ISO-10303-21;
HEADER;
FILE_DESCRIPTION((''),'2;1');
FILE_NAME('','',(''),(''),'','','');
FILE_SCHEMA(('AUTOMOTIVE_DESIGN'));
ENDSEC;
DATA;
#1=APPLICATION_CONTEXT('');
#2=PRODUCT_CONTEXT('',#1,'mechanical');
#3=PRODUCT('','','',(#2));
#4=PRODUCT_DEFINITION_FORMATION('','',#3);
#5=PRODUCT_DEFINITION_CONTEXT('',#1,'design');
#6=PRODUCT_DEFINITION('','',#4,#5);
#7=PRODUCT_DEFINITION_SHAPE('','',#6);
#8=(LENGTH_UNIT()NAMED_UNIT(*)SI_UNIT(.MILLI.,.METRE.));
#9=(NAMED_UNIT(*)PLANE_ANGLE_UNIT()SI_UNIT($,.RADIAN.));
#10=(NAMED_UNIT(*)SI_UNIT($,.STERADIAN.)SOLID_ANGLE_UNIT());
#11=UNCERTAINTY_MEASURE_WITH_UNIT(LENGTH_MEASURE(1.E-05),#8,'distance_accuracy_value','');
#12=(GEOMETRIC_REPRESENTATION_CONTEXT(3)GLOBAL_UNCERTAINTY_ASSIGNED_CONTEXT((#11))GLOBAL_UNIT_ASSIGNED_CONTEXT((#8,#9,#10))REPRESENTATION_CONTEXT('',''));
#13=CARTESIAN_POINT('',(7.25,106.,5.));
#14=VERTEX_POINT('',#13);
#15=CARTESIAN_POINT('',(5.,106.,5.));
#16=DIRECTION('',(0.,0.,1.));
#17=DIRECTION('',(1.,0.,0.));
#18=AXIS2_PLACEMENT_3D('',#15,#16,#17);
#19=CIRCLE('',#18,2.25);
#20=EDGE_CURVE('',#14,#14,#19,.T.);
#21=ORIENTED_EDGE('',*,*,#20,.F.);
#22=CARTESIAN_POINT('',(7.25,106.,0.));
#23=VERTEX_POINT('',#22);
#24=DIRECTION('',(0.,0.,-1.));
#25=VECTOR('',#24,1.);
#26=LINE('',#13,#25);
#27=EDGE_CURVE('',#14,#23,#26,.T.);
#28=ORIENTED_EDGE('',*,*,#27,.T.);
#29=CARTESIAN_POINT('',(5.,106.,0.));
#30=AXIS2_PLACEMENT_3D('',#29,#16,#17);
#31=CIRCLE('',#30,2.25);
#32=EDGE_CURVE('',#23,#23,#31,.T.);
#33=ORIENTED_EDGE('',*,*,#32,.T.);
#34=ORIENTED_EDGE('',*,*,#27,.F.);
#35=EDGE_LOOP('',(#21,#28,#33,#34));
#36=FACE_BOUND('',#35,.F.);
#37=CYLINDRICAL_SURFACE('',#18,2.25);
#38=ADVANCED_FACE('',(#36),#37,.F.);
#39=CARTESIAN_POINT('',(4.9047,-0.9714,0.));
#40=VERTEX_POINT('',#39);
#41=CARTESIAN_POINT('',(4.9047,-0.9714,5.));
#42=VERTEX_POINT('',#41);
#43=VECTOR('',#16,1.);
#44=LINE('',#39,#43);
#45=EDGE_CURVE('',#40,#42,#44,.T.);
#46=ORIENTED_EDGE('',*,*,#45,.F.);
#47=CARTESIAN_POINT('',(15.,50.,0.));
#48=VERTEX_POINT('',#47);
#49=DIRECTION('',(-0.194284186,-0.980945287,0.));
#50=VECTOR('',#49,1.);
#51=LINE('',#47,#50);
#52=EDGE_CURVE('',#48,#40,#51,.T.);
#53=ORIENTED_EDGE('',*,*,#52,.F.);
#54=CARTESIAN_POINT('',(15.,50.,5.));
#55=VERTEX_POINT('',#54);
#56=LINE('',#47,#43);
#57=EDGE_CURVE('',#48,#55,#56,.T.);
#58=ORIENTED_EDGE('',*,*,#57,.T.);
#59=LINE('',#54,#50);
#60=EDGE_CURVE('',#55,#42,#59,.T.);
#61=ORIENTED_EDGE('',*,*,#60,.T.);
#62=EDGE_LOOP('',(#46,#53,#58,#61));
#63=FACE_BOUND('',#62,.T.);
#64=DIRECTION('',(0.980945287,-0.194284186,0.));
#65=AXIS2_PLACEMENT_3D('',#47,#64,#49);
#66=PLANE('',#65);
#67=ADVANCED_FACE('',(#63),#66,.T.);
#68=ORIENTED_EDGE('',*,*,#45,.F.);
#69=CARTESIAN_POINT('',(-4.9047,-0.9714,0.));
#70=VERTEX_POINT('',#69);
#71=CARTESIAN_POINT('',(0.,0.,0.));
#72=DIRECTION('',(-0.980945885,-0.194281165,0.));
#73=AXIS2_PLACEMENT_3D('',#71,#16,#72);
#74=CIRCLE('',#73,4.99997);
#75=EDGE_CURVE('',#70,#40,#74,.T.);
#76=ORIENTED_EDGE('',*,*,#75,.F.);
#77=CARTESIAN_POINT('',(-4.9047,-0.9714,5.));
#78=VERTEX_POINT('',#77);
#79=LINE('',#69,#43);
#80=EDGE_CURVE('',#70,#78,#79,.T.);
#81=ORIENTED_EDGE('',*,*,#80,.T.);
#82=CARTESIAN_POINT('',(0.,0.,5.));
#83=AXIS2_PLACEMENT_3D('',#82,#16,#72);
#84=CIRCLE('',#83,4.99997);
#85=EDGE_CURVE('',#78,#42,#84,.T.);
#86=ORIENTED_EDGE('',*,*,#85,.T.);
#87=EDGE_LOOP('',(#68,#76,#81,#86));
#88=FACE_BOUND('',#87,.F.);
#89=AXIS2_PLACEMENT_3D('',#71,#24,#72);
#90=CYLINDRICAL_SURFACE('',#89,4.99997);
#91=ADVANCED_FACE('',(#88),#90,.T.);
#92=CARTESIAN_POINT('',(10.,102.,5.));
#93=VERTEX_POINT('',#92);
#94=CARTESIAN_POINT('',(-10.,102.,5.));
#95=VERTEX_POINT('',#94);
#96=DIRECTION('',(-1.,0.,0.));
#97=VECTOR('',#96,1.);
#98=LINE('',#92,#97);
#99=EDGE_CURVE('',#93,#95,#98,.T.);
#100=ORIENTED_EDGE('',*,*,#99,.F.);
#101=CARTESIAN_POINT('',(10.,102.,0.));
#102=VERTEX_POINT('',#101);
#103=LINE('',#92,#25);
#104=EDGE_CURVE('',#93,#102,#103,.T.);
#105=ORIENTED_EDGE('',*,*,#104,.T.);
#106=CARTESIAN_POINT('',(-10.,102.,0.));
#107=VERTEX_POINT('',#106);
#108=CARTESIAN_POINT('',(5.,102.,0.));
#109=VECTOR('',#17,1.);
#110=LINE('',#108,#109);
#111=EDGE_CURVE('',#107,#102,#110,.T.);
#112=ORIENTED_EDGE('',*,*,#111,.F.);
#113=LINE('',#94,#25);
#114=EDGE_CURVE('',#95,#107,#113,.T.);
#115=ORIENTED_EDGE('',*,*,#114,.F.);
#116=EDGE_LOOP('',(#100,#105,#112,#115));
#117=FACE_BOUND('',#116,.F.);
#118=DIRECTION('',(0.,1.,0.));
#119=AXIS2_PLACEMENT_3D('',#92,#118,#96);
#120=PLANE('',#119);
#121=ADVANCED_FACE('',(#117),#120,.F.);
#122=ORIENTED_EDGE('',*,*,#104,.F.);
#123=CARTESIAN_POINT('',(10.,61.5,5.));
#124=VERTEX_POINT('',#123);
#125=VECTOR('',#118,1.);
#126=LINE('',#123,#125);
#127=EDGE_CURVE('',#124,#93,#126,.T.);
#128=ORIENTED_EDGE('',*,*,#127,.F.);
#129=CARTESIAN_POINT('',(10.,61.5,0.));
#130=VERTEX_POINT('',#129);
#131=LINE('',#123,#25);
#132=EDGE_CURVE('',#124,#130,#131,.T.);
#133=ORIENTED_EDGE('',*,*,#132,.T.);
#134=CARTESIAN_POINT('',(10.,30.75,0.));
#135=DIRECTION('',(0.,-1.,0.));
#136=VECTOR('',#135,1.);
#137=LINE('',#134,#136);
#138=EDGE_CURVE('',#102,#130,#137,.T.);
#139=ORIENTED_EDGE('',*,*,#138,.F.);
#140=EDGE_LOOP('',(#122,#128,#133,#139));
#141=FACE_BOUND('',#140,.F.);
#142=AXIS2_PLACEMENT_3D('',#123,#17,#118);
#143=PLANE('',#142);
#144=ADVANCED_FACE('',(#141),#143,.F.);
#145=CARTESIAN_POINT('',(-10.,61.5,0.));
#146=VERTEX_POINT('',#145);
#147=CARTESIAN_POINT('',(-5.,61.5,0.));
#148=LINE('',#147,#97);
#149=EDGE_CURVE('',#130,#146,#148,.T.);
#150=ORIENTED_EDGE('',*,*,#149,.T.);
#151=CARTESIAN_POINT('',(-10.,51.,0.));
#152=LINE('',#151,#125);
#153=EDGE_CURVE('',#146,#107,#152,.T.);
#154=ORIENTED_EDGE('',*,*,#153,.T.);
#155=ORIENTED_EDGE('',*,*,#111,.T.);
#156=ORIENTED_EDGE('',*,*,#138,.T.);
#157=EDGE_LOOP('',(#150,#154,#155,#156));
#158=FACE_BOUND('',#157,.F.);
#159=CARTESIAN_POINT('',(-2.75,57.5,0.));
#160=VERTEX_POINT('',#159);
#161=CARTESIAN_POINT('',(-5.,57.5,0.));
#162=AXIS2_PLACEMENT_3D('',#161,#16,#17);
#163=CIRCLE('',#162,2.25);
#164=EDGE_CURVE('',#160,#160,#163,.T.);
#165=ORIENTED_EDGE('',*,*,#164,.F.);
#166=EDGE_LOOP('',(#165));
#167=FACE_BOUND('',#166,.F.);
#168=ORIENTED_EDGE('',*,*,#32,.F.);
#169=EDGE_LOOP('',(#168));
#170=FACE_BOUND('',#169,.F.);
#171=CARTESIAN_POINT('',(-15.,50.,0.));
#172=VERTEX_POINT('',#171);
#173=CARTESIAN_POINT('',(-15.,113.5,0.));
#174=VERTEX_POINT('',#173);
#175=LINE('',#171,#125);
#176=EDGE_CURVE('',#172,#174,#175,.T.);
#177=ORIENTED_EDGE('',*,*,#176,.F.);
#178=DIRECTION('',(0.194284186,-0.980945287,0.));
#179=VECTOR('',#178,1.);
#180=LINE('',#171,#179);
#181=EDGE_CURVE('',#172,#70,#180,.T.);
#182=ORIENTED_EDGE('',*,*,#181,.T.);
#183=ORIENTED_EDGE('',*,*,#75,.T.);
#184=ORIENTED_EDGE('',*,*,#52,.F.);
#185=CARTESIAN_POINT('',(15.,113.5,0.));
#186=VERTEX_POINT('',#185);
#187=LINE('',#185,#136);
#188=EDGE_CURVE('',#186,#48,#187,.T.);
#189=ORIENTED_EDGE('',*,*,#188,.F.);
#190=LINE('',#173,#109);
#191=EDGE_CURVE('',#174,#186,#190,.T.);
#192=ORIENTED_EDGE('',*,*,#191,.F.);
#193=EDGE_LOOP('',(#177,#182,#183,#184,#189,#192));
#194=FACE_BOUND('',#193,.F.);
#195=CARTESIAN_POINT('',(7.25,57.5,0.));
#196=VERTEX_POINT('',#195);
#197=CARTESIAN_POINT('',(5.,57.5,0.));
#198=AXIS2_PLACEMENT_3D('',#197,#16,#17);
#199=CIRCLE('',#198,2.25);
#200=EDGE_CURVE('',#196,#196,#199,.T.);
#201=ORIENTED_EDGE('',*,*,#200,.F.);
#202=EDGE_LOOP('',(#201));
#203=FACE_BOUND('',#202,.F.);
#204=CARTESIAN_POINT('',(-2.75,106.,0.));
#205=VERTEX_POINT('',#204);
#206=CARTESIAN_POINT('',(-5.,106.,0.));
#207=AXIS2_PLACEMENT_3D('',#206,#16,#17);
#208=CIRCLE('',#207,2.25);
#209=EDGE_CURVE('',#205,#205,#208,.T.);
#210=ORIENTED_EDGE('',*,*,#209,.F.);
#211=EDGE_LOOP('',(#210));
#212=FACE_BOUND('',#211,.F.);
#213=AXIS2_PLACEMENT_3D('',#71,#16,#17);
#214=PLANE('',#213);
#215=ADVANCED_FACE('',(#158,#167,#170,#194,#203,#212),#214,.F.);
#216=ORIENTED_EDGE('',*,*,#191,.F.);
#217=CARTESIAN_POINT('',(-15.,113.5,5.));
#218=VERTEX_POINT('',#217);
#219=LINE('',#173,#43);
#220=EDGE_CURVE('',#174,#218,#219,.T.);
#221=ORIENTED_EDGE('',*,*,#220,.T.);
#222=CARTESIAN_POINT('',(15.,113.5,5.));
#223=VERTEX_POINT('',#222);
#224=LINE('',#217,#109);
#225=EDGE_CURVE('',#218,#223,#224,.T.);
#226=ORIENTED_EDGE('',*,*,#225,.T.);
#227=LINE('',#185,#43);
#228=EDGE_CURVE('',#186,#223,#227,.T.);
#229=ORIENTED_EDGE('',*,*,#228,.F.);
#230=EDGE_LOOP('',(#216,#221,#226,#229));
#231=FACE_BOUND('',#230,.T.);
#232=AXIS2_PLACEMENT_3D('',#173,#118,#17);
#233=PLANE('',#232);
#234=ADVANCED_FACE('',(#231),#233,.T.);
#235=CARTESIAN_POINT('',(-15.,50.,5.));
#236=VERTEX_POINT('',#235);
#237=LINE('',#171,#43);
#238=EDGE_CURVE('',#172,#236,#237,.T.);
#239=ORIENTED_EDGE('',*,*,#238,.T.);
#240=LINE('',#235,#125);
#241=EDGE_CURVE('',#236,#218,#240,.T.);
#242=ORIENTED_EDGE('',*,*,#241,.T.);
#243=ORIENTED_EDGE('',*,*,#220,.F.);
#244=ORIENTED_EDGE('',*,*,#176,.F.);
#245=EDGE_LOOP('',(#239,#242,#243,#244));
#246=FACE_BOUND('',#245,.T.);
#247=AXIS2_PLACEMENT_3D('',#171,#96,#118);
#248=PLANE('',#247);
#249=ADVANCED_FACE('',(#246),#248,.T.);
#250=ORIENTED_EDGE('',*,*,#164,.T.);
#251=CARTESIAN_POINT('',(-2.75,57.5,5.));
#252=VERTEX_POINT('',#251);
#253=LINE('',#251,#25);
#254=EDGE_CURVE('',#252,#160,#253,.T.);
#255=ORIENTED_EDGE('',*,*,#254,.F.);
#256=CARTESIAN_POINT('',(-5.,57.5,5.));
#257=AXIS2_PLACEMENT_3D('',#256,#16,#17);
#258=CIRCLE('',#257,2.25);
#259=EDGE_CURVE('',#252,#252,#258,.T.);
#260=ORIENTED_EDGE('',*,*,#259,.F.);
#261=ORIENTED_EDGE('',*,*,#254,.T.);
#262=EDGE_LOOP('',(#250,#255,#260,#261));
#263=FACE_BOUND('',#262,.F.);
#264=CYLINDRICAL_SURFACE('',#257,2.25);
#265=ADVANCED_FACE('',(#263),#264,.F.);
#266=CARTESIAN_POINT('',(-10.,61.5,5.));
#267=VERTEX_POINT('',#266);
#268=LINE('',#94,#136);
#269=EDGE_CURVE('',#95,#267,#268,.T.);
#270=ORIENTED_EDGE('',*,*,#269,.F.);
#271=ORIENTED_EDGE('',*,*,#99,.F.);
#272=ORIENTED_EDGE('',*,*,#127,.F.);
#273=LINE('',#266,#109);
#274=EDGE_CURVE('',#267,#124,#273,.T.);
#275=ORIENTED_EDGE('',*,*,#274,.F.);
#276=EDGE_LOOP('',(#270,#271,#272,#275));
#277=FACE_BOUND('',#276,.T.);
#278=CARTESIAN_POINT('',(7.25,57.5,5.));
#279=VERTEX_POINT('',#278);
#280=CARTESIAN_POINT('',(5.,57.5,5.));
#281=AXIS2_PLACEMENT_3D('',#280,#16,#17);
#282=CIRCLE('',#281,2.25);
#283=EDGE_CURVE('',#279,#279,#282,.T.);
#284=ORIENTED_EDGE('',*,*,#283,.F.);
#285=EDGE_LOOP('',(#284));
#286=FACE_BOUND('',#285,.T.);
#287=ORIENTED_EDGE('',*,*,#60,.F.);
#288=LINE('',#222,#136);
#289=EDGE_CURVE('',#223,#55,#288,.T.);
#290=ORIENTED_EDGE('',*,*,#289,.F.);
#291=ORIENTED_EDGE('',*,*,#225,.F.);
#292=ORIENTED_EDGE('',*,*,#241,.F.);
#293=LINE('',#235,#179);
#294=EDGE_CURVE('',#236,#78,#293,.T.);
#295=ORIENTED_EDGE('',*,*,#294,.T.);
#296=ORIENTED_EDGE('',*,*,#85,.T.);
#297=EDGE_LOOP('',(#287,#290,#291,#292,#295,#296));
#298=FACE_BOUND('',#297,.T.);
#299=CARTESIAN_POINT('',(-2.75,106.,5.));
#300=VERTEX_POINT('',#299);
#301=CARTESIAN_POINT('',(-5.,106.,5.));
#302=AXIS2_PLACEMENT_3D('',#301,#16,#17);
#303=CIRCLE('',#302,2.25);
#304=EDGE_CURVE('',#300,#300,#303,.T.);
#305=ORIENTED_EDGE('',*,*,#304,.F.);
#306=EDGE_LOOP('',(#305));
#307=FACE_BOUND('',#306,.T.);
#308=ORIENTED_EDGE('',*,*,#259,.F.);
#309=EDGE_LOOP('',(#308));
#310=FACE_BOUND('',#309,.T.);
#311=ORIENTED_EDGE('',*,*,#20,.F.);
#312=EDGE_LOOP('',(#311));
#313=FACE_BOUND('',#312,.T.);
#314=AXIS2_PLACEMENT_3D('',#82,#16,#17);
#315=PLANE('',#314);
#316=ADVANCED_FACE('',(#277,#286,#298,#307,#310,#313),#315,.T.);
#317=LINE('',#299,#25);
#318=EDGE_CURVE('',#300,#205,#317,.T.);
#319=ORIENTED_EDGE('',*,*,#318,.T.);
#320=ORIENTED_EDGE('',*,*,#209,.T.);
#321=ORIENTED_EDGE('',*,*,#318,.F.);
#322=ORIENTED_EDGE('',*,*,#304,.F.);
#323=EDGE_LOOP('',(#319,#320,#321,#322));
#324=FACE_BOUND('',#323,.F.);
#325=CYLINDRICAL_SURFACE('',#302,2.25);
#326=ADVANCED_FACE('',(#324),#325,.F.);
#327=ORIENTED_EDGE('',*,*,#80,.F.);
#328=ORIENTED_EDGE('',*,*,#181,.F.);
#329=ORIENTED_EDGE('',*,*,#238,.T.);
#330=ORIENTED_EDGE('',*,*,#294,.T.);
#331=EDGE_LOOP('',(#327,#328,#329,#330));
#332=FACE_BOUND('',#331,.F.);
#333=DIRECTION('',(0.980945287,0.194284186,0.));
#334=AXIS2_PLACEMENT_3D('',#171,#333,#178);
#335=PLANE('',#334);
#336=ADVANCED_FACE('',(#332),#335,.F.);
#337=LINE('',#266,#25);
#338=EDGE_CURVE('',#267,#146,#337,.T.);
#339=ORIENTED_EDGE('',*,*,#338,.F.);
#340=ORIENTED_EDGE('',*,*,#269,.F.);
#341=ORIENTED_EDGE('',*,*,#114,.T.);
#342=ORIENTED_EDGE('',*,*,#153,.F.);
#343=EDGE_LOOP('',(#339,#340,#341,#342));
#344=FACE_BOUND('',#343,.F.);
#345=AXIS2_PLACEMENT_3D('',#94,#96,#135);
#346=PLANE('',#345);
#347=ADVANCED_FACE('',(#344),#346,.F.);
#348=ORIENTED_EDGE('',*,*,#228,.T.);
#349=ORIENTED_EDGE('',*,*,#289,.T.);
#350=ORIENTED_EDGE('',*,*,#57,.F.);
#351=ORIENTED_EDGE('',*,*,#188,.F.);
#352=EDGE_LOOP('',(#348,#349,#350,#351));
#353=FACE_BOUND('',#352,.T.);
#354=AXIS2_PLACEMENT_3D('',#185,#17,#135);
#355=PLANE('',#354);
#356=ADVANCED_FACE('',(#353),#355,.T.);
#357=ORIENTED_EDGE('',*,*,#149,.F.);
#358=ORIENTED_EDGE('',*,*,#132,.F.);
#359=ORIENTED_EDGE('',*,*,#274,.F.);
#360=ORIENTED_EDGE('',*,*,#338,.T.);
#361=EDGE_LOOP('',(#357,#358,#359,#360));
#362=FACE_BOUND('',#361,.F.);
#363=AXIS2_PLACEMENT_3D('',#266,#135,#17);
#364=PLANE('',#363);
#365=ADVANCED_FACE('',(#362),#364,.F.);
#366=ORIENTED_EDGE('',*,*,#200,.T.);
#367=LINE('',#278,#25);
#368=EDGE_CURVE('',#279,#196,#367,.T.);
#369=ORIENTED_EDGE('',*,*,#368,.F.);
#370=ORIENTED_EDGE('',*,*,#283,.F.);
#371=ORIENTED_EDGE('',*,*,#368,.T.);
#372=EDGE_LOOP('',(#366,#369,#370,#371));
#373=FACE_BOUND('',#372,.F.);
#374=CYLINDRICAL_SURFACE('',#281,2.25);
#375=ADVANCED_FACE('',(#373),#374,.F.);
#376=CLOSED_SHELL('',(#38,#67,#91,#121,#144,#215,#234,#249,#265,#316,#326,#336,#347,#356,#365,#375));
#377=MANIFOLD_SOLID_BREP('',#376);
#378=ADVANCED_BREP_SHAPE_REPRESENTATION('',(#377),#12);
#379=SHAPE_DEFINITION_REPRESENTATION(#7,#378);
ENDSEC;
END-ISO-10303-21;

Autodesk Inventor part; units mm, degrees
ref_plane "YZ Plane" through (0, 0, 0) normal (1, 0, 0) x (0, 1, 0)
ref_plane "XZ Plane" through (0, 0, 0) normal (0, 1, 0) x (-1, 0, 0)
ref_plane "XY Plane" through (0, 0, 0) normal (0, 0, 1) x (1, 0, 0)
sketch "Sketch1" plane through (0, 0, 0) normal (0, 0, 1) x (1, 0, 0)
  point P0 (0, 0)
sketch "Sketch2" plane through (0, 0, 0) normal (0, 0, 1) x (1, 0, 0)
  line L0 (-15, 113.5) -> (15, 113.5)
  line L1 (15, 113.5) -> (15, 50)
  line L2 (15, 50) -> (-15, 50) construction
  line L3 (-15, 50) -> (-15, 113.5)
  circle A0 centre (0, 0) radius 5 construction
  line L4 (-15, 50) -> (-4.9047, -0.9714)
  line L5 (15, 50) -> (4.9047, -0.9714)
  arc A1 (-4.9047, -0.9714) -> (4.9047, -0.9714) centre (0, 0) ccw
  point P0 (0, 50)
  dimension "d0" = 30
  dimension "d1" = 63.5
  dimension "d2" = 10
  dimension "d3" = 50
extrude "Extrusion1" add sketch "Sketch2" along normal blind 5
sketch "Sketch3" plane through (0, 0, 5) normal (0, 0, 1) x (1, 0, 0)
  line L0 (-10, 108.5) -> (10, 108.5) construction
  line L1 (10, 108.5) -> (10, 55) construction
  line L2 (10, 55) -> (-10, 55) construction
  line L3 (-10, 55) -> (-10, 108.5) construction
  line L4 (15, 113.5) -> (-15, 113.5) construction
  circle A0 centre (-5, 106) radius 2.25
  circle A1 centre (5, 106) radius 2.25
  circle A2 centre (-5, 57.5) radius 2.25
  circle A3 centre (5, 57.5) radius 2.25
  line L5 (-10, 61.5) -> (10, 61.5)
  line L6 (10, 61.5) -> (10, 102)
  line L7 (10, 102) -> (-10, 102)
  line L8 (-10, 102) -> (-10, 61.5)
  line L9 (0, 108.5) -> (0, 55) construction
  point P0 (0, 0)
  point P1 (-10, 81.75)
  point P2 (10, 81.75)
  point P3 (0, 81.75)
  dimension "d6" = 20
  dimension "d7" = 53.5
  dimension "d8" = 5
  dimension "d9" = 4.5
  dimension "d11" = 2.75
  dimension "d12" = 2.5
  dimension "d13" = 2.75
  dimension "d14" = 2.5
  dimension "d15" = 40.5
extrude "Extrusion2" cut sketch "Sketch3" against normal up to next
equation "\"d0\" = s_depth + 2 * b_mat_thickness"
equation "\"d1\" = 2 * s_land + s_width + 2 * b_mat_thickness"
equation "\"d4\" = b_mat_thickness"
equation "\"d6\" = s_depth"
equation "\"d7\" = s_width + 2 * s_land"
equation "\"d8\" = b_mat_thickness"
equation "\"d9\" = s_hole_dia"
equation "\"d11\" = s_hole_side_dist"
equation "\"d12\" = s_hole_front_dist"
equation "\"d13\" = s_hole_side_dist"
equation "\"d14\" = s_hole_front_dist"
equation "\"d15\" = s_width"
equation "\"d16\" = b_mat_thickness"
equation "\"s_depth\" = 20"
equation "\"b_mat_thickness\" = 5"
equation "\"s_land\" = 6.5"
equation "\"s_width\" = 40.5"
equation "\"s_hole_dia\" = 4.5"
equation "\"s_hole_side_dist\" = 2.75"
equation "\"s_hole_front_dist\" = 2.5"
properties part number "Lower_leg"
